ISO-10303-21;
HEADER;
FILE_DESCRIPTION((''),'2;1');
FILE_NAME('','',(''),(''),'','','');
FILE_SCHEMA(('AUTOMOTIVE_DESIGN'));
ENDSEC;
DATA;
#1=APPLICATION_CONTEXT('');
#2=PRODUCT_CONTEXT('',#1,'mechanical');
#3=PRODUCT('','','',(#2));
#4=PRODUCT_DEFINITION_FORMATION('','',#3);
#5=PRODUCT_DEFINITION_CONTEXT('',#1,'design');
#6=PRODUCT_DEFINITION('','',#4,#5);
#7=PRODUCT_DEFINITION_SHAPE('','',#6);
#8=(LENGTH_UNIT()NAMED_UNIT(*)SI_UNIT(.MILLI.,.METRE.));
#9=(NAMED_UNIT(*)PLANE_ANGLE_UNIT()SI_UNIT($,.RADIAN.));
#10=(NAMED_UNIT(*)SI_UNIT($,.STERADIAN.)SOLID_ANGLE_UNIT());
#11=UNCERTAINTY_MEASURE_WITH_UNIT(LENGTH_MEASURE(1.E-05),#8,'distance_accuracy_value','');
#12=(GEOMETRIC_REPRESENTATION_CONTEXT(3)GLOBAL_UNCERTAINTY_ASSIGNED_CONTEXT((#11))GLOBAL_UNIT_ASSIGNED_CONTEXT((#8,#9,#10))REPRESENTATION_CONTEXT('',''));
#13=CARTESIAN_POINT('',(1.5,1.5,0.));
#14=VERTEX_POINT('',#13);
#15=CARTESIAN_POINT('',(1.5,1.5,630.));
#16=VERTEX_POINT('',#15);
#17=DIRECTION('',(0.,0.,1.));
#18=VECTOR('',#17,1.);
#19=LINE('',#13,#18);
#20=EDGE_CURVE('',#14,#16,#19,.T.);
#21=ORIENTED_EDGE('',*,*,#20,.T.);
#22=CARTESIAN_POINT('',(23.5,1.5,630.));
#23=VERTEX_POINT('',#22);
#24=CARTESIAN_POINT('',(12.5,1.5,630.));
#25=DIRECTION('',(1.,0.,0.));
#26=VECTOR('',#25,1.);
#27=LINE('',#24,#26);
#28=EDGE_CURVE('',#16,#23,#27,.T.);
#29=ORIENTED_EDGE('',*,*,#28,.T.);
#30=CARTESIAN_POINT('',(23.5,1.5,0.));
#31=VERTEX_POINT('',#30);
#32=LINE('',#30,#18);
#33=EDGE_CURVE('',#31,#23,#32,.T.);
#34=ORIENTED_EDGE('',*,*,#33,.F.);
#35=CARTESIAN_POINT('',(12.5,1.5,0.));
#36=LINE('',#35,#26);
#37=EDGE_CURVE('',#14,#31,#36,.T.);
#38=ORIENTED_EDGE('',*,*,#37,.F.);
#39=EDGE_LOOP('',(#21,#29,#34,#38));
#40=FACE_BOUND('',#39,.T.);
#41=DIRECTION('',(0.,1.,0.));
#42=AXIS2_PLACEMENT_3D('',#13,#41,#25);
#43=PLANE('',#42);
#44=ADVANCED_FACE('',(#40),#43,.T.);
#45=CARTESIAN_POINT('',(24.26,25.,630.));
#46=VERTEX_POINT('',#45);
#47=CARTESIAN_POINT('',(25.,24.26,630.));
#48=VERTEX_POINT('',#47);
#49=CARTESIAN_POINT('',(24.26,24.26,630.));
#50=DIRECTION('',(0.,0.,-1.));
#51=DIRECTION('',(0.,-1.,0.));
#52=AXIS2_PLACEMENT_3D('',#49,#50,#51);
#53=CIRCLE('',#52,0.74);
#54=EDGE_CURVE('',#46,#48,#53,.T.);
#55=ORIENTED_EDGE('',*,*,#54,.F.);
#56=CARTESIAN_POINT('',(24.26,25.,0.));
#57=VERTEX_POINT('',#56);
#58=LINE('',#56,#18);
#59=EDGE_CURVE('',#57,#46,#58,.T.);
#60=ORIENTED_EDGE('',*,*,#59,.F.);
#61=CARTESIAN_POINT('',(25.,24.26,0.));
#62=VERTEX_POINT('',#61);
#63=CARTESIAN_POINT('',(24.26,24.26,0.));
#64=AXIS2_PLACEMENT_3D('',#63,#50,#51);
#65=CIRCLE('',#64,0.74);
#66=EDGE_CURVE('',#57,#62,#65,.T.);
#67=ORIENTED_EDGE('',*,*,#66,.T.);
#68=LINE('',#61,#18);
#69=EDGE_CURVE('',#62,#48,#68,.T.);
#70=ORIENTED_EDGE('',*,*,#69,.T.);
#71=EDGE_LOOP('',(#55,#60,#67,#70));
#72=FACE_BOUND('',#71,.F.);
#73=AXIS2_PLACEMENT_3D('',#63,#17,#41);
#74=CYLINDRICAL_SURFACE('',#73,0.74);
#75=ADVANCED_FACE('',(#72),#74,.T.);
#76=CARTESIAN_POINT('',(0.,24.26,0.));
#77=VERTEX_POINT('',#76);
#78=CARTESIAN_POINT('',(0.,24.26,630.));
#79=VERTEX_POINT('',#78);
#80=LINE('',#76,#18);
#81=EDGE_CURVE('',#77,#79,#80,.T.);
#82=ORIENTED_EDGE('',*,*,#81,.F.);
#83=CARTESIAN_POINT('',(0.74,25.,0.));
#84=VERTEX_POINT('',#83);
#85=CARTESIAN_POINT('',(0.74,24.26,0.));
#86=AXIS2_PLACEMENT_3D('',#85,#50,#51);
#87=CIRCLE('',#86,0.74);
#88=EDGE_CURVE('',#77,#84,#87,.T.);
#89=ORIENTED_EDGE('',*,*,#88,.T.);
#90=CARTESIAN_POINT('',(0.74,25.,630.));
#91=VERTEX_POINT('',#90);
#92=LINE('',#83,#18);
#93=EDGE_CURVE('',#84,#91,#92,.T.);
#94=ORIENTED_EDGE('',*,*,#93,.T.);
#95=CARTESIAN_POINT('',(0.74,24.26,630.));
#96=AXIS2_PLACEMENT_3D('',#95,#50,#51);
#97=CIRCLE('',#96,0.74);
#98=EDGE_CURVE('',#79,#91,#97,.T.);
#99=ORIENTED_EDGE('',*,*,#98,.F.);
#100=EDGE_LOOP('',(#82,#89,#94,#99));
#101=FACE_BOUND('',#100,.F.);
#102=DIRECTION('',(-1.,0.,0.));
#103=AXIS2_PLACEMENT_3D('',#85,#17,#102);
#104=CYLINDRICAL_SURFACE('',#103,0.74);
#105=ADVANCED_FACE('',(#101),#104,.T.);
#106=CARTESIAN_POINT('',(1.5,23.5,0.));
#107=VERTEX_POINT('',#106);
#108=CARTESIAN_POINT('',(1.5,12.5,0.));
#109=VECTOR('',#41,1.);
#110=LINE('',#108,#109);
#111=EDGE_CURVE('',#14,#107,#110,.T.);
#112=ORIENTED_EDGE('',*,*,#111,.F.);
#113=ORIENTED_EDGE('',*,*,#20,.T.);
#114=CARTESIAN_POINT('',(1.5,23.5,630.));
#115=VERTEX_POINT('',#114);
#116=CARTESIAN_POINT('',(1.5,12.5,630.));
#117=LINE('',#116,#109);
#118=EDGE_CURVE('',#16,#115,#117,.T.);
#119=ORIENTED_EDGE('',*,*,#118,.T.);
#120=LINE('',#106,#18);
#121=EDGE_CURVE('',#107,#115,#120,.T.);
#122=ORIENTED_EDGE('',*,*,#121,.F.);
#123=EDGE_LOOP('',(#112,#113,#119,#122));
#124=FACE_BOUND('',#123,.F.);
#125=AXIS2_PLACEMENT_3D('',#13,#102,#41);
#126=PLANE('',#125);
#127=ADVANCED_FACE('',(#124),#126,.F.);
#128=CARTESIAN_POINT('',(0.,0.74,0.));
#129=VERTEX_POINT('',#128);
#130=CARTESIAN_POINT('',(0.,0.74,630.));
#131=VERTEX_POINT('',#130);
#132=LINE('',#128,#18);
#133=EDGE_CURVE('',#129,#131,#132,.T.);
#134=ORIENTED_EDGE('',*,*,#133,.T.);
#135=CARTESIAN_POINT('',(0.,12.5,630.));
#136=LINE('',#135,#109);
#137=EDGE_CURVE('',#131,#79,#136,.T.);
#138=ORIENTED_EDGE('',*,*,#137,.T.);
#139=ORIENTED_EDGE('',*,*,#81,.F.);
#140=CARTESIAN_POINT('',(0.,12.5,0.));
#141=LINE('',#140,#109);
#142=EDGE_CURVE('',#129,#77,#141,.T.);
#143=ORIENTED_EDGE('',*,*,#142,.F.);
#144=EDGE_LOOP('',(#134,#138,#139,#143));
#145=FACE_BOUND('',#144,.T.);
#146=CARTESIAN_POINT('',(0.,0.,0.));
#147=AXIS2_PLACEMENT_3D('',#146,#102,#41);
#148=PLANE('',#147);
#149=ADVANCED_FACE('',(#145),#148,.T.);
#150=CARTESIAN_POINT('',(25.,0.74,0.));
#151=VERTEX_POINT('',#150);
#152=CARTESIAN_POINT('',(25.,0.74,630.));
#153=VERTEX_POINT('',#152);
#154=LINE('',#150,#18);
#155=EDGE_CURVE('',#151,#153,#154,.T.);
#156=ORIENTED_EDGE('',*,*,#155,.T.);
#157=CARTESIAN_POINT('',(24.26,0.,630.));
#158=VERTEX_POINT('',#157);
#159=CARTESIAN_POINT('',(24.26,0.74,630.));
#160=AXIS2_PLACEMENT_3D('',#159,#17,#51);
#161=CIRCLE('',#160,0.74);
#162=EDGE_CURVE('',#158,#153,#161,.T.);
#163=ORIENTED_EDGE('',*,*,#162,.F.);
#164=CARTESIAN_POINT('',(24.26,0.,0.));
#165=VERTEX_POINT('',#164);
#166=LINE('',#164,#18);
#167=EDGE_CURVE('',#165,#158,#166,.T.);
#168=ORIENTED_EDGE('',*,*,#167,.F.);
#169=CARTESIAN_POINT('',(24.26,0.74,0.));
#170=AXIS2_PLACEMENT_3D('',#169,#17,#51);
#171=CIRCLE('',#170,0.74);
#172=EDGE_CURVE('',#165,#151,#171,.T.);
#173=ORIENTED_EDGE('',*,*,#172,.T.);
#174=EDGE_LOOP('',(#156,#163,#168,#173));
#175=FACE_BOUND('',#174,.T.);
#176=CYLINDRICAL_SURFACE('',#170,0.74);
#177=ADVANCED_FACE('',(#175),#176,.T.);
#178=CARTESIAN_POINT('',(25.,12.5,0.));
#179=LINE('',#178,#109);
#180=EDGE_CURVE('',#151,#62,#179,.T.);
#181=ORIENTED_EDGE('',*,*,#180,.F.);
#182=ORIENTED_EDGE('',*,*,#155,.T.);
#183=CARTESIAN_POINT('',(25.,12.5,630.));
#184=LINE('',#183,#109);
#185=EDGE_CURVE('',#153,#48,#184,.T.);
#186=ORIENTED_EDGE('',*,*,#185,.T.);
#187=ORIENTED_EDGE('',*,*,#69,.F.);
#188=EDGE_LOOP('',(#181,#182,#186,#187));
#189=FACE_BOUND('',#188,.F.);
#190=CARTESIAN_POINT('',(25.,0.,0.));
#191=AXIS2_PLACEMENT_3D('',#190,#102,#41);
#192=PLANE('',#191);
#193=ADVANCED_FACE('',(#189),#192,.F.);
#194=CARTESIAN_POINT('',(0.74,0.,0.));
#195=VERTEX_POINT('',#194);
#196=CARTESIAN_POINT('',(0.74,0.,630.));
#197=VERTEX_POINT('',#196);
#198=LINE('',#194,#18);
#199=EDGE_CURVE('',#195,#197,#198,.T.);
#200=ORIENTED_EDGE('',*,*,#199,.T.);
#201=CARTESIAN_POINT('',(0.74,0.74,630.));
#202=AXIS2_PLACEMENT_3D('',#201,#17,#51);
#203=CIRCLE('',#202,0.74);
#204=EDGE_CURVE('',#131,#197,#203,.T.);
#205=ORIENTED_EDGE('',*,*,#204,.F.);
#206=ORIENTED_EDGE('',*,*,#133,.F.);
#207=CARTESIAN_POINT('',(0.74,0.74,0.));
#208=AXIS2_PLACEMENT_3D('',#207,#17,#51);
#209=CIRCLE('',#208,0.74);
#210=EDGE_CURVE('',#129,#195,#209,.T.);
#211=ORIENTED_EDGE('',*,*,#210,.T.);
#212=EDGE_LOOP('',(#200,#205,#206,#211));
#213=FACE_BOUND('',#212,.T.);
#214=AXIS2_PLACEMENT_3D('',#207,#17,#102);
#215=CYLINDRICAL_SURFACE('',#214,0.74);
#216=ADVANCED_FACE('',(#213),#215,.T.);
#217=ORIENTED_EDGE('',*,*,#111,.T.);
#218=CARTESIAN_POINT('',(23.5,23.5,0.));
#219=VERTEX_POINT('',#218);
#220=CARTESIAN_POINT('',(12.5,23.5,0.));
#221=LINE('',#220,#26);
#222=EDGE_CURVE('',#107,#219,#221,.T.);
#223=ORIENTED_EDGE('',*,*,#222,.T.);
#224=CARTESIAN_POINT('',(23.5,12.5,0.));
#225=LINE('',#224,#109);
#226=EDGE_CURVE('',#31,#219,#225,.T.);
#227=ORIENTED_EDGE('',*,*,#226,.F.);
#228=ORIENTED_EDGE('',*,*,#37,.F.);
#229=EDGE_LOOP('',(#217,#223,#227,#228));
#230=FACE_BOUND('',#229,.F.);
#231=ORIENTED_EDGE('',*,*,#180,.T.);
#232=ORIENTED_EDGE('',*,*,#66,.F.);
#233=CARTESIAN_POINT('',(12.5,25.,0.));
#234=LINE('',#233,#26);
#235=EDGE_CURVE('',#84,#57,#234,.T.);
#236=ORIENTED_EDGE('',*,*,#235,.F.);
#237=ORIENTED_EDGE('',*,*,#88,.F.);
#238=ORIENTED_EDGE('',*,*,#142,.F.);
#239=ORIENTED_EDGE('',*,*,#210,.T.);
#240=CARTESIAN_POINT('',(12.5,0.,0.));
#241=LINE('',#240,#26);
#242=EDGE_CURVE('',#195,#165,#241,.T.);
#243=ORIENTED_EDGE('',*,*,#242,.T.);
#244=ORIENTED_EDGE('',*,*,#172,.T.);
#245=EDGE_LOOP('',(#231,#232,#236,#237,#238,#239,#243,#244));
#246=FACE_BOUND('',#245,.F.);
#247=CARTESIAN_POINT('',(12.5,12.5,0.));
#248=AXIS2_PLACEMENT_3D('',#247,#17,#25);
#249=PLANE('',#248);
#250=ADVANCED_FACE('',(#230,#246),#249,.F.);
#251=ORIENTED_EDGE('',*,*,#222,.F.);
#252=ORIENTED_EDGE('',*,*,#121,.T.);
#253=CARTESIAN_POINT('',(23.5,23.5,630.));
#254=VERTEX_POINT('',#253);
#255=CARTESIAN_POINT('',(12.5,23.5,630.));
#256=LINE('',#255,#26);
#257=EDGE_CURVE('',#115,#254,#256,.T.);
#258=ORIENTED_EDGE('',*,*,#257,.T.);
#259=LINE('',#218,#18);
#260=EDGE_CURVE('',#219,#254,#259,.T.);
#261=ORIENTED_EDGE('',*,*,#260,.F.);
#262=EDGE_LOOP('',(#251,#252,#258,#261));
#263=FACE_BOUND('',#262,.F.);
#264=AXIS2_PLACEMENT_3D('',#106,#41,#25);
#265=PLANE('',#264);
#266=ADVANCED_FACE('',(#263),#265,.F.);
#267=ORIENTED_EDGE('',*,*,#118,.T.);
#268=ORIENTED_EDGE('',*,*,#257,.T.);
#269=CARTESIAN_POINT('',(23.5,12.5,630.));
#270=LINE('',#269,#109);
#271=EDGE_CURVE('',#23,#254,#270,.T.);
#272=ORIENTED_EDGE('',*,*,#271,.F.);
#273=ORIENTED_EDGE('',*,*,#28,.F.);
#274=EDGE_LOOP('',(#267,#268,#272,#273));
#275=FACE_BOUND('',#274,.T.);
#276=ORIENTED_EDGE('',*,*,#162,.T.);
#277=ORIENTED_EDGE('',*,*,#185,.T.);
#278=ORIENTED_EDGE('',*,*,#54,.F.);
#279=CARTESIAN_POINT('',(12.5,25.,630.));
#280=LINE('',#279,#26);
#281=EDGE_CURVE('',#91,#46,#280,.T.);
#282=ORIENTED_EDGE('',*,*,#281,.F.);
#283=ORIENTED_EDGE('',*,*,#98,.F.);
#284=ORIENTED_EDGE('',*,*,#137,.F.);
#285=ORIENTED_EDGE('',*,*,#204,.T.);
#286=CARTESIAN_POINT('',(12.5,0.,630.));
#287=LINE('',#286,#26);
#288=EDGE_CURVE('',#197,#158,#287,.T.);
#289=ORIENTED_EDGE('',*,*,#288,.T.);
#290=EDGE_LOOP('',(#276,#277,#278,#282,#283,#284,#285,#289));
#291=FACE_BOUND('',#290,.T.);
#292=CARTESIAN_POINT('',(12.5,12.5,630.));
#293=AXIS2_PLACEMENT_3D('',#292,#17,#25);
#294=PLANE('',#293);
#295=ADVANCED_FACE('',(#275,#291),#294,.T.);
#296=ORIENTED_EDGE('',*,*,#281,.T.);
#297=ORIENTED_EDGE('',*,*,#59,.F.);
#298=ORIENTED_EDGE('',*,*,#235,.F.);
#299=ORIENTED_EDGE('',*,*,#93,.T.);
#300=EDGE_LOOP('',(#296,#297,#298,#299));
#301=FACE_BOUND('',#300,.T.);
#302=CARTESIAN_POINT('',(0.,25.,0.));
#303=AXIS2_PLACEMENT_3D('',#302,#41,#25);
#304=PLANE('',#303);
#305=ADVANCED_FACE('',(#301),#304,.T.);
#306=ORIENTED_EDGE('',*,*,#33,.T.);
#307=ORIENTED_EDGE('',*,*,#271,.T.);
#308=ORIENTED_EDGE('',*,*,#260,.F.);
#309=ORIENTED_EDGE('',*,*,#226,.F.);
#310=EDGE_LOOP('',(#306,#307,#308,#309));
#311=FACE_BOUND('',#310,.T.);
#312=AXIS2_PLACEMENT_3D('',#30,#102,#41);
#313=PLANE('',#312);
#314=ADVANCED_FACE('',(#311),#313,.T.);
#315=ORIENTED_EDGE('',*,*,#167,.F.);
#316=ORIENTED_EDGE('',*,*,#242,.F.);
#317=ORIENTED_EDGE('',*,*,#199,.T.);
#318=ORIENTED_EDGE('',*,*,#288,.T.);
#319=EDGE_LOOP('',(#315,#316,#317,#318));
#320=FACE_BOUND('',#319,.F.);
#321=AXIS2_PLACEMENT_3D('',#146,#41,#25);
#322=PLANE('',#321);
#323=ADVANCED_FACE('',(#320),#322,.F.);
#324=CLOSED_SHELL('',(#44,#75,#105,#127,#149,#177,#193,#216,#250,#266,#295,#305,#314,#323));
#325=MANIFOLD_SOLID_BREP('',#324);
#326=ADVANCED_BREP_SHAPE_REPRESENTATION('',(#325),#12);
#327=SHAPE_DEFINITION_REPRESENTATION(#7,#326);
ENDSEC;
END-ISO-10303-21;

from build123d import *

# Parameters (mm, degrees)
SKETCH_W   = 25
SKETCH_H   = 25
SKETCH_W_2 = 22
SKETCH_H_2 = 22
PAD_DEPTH  = 630
FILLET_R   = 0.74


with BuildPart() as part:
    # Sketch → Pad (new body)
    with BuildSketch(Plane.XY):
        with Locations((12.5, 12.5)):
            Rectangle(SKETCH_W, SKETCH_H)
        with Locations((12.5, 12.5)):
            Rectangle(SKETCH_W_2, SKETCH_H_2, mode=Mode.SUBTRACT)
    extrude(amount=PAD_DEPTH)

    # Fillet
    fillet_edges = [part.edges().sort_by_distance(p)[0] for p in [
        (25, 0, 315),
        (0, 0, 315),
        (25, 25, 315),
        (0, 25, 315),
    ]]
    fillet(fillet_edges, radius=FILLET_R)


solid = part.part
